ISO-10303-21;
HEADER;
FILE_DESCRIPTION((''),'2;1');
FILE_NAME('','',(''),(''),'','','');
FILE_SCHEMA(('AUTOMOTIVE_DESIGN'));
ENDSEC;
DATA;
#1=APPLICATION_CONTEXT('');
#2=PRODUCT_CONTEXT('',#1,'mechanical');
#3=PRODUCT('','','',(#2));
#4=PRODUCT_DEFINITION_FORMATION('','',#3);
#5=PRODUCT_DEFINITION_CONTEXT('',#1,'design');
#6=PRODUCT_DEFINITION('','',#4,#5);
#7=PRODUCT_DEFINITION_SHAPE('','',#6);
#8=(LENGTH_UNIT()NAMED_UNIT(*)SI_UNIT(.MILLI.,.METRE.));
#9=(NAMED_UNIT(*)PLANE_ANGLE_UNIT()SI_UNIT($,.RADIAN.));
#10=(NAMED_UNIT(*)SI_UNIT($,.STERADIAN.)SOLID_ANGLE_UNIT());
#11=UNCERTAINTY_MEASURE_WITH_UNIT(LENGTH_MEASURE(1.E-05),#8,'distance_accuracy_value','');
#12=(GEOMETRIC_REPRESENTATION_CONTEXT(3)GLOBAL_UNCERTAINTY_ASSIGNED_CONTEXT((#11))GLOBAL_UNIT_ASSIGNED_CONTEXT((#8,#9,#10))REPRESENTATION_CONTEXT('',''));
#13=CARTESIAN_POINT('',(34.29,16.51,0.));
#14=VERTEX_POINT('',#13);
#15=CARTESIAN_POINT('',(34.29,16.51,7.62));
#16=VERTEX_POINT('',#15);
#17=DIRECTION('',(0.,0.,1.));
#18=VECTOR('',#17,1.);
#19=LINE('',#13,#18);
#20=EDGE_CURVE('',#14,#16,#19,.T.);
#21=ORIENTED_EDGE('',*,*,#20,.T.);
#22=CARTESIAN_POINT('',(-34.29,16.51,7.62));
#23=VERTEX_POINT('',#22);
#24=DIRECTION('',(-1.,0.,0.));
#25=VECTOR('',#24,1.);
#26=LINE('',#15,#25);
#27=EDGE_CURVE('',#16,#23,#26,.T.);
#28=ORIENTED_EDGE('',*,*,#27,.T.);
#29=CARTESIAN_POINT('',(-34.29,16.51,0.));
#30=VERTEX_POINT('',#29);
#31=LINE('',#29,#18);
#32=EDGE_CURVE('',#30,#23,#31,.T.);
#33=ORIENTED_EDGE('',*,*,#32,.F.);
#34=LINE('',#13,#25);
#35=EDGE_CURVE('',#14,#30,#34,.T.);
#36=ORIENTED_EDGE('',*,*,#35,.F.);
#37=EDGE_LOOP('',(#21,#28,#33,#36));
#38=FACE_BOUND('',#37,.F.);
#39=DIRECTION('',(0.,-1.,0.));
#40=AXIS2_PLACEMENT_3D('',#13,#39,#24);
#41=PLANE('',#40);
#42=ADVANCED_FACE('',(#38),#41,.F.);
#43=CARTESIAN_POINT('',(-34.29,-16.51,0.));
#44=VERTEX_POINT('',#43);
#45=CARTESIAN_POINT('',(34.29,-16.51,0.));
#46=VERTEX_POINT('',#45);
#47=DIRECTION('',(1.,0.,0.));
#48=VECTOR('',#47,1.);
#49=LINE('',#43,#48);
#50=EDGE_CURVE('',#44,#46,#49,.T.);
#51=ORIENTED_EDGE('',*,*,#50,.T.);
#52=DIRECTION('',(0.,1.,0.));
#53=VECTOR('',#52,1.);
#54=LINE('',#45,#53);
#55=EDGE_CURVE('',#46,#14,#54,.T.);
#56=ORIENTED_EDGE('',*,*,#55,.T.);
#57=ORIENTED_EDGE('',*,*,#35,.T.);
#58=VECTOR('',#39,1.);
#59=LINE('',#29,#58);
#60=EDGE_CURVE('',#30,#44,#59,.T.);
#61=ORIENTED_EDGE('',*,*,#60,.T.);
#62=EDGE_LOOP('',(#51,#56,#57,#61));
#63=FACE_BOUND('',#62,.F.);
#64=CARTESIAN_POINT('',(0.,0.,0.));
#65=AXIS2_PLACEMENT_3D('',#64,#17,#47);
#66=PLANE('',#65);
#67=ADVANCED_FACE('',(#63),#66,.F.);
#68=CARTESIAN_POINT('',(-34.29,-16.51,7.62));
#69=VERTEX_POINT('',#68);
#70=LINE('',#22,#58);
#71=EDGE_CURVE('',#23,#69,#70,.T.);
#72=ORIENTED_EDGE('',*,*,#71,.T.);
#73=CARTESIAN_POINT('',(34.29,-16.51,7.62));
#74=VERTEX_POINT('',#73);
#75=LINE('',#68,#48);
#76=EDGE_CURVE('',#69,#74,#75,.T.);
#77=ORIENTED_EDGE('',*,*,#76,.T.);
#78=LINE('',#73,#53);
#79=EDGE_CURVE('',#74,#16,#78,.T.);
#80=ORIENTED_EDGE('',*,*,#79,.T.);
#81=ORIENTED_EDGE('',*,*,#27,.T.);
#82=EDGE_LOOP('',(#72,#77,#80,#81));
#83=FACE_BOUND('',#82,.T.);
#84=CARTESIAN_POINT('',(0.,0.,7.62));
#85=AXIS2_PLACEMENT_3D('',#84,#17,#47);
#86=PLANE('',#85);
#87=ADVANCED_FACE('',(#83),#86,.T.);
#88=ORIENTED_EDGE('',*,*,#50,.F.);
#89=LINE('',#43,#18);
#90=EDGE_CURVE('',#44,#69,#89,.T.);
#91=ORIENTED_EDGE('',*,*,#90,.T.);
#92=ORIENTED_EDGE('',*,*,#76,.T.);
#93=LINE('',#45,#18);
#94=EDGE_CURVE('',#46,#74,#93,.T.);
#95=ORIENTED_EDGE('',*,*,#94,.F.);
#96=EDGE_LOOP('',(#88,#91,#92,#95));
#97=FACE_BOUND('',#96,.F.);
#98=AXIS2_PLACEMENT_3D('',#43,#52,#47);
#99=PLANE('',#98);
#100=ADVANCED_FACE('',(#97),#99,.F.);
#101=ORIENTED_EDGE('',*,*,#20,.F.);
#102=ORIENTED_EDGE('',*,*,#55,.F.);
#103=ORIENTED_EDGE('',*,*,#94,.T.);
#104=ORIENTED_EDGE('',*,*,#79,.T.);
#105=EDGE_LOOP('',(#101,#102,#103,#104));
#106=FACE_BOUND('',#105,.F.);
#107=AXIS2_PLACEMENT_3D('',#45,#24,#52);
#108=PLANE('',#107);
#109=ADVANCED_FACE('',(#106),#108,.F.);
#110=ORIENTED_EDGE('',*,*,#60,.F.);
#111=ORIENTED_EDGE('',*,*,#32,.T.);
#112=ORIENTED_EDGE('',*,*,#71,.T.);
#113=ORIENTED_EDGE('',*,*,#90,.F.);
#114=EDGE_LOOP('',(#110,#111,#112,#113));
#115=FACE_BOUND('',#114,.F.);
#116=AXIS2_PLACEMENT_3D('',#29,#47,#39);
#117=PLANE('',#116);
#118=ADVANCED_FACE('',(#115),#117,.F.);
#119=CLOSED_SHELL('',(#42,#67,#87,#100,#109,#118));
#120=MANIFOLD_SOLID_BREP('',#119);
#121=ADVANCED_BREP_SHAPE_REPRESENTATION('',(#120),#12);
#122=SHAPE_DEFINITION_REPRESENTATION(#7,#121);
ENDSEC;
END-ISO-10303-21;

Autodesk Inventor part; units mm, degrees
ref_plane "YZ Plane" through (0, 0, 0) normal (1, 0, 0) x (0, 1, 0)
ref_plane "XZ Plane" through (0, 0, 0) normal (0, 1, 0) x (-1, 0, 0)
ref_plane "XY Plane" through (0, 0, 0) normal (0, 0, 1) x (1, 0, 0)
sketch "Sketch1" plane through (0, 0, 0) normal (0, 0, 1) x (1, 0, 0)
  line L0 (-34.29, -16.51) -> (34.29, -16.51)
  line L1 (34.29, -16.51) -> (34.29, 16.51)
  line L2 (34.29, 16.51) -> (-34.29, 16.51)
  line L3 (-34.29, 16.51) -> (-34.29, -16.51)
  point P0 (0, 0)
  dimension "d0" = 68.58
  dimension "d1" = 33.02
extrude "Extrusion1" add sketch "Sketch1" along normal blind 7.62
properties part number "cwbattery"
